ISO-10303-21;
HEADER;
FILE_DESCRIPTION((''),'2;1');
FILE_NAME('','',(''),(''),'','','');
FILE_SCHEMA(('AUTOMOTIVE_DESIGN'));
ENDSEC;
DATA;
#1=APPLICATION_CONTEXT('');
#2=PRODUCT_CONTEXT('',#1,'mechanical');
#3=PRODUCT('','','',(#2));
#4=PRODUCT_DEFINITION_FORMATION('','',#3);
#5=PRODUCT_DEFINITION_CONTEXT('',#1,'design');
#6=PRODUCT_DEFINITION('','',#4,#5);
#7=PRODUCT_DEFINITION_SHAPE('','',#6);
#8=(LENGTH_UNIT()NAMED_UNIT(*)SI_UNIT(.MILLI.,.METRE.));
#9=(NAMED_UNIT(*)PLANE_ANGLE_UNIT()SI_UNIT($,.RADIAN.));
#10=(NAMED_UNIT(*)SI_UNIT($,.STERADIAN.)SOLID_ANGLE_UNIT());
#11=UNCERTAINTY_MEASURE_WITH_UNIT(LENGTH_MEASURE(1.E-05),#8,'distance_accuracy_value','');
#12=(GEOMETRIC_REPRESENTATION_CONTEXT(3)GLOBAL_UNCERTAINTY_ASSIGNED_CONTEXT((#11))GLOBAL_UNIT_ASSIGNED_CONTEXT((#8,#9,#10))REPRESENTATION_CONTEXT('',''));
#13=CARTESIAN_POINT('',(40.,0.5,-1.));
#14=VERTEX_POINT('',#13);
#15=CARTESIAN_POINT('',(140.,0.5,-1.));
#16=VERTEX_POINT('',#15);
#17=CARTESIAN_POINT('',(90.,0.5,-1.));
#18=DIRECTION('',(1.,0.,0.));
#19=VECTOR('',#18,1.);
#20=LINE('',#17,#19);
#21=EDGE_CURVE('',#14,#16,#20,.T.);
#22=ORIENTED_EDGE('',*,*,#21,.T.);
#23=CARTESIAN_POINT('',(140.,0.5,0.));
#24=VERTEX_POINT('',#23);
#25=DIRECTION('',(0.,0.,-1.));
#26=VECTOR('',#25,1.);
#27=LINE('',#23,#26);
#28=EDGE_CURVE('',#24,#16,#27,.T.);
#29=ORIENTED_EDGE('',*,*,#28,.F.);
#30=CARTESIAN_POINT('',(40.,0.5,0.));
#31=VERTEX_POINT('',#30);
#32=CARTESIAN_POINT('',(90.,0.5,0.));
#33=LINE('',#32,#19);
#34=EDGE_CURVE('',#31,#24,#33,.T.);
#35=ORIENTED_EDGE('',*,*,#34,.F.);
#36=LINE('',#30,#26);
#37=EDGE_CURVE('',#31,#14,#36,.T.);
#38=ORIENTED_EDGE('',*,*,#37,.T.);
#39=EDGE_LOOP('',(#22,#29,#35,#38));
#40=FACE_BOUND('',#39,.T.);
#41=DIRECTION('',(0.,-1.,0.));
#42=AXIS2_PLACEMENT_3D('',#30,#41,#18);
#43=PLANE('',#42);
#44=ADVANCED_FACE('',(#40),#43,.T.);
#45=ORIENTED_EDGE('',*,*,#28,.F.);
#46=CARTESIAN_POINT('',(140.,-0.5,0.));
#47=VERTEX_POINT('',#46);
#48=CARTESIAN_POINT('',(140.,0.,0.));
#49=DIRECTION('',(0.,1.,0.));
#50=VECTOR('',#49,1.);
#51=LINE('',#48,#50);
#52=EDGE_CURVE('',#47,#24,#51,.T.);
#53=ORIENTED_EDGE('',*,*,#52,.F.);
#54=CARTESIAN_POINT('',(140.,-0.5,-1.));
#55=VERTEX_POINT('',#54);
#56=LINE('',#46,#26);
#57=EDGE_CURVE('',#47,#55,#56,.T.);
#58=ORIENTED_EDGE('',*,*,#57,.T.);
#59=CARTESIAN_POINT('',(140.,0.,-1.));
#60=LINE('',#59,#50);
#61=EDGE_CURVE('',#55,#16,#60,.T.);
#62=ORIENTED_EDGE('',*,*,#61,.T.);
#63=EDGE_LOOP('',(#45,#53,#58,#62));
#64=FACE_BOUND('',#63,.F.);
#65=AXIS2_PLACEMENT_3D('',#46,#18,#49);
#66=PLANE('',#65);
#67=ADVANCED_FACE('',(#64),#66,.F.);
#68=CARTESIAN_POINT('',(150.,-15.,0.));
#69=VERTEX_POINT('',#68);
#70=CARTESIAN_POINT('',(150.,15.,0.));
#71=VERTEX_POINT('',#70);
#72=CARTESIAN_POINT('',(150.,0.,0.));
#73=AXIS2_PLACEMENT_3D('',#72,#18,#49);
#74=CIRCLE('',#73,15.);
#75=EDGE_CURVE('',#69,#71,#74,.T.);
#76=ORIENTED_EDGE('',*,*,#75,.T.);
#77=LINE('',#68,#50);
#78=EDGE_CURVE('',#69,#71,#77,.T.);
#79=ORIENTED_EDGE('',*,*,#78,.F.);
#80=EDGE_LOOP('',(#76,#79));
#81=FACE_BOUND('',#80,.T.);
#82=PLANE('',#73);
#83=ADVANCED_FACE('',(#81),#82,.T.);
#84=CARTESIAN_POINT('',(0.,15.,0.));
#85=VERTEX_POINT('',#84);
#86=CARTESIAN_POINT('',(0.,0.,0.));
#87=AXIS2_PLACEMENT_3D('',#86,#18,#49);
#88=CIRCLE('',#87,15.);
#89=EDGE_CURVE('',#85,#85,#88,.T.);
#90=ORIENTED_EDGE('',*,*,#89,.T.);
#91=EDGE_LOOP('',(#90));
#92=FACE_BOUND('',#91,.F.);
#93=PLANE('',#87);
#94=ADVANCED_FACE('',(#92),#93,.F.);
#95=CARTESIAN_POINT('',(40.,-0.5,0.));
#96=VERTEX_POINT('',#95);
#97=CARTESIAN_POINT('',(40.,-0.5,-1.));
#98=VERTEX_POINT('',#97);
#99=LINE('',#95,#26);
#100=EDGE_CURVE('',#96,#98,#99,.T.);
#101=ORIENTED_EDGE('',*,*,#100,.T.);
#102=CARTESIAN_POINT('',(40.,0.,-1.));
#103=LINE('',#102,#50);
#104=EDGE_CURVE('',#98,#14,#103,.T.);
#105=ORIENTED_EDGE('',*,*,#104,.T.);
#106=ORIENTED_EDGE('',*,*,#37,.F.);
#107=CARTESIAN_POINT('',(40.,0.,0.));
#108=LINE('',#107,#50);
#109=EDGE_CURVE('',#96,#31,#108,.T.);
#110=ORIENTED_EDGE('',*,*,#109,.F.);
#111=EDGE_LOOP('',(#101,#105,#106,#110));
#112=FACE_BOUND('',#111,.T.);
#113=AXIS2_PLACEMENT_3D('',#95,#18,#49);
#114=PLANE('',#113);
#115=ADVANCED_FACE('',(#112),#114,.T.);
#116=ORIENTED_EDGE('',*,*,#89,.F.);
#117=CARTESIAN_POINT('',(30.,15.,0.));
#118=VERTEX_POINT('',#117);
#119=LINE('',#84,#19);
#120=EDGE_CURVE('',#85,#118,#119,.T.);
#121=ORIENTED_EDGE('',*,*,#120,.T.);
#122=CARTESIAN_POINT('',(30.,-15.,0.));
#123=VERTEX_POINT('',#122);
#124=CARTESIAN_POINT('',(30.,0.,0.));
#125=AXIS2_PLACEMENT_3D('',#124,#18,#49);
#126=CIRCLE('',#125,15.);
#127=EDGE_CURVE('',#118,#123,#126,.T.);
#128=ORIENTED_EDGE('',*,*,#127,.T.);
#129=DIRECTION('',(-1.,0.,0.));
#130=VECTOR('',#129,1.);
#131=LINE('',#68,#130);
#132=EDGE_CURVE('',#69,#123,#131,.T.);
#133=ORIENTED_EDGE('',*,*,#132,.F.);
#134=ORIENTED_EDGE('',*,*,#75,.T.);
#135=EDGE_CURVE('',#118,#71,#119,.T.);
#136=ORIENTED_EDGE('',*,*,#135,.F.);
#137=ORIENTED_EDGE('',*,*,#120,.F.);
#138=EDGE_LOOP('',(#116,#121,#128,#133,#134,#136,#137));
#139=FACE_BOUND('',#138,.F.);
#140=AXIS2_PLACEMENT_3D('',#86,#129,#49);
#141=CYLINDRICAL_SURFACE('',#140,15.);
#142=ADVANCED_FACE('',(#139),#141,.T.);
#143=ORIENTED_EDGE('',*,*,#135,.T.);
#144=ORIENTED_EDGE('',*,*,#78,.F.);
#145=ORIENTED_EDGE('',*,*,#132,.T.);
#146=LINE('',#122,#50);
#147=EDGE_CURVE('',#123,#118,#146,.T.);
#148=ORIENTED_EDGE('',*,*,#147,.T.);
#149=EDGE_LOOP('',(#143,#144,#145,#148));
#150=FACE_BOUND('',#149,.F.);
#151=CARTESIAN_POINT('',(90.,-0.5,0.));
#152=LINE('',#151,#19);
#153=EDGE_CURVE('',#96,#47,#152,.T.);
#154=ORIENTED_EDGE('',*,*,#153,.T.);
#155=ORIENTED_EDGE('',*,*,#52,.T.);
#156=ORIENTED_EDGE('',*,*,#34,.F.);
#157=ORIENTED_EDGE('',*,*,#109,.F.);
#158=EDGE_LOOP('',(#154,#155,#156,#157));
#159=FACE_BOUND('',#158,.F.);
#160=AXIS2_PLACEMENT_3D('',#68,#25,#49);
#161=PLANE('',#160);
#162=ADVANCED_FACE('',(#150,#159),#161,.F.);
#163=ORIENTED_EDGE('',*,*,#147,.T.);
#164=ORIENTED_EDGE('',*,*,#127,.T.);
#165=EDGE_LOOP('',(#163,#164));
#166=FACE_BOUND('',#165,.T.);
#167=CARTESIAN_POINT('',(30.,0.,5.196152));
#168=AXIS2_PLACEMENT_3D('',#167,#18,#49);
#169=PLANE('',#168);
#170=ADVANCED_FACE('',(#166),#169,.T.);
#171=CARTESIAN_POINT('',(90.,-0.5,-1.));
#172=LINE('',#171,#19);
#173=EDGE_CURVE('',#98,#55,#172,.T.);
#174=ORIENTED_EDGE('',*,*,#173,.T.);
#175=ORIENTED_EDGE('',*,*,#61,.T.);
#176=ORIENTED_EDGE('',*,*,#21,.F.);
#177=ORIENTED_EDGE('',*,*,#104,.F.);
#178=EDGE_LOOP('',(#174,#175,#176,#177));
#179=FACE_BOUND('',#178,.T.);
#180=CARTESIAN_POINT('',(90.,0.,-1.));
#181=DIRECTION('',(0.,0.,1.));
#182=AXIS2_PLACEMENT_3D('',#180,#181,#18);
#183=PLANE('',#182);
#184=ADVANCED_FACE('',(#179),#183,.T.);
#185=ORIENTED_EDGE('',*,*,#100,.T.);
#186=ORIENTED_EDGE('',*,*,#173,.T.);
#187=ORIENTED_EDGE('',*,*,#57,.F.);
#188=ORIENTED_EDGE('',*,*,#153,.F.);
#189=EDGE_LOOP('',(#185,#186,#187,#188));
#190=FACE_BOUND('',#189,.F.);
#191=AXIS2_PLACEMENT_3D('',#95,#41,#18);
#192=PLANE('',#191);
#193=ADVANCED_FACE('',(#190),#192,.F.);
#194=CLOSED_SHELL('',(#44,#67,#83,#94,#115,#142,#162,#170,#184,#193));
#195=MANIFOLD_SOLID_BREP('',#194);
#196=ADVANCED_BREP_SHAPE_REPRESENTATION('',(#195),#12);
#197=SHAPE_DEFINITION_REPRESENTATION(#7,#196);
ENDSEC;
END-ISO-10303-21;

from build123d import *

# Parameters (mm, degrees)
F0_R     = 15
F1_DEPTH = 150
F3_DEPTH = 120
F4_W     = 100
F4_H     = 1
F5_DEPTH = 1


with BuildPart() as f1:
    # F0 (on Right) → F1 (new body)
    with BuildSketch(Plane.YZ):
        Circle(F0_R)
    extrude(amount=F1_DEPTH)

    # F2 (on face) → F3 (cut)
    with BuildSketch(Plane.YZ.offset(150)):
        with BuildLine():
            ThreePointArc((15, 0), (0, 15), (-15, 0))
            Line((-15, 0), (15, 0))
        make_face()
    extrude(amount=-F3_DEPTH, mode=Mode.SUBTRACT)

    # F4 (on face) → F5 (cut)
    with BuildSketch(Plane.XY):
        with Locations((90, 0)):
            Rectangle(F4_W, F4_H)
    extrude(amount=-F5_DEPTH, mode=Mode.SUBTRACT)


solid = f1.part
